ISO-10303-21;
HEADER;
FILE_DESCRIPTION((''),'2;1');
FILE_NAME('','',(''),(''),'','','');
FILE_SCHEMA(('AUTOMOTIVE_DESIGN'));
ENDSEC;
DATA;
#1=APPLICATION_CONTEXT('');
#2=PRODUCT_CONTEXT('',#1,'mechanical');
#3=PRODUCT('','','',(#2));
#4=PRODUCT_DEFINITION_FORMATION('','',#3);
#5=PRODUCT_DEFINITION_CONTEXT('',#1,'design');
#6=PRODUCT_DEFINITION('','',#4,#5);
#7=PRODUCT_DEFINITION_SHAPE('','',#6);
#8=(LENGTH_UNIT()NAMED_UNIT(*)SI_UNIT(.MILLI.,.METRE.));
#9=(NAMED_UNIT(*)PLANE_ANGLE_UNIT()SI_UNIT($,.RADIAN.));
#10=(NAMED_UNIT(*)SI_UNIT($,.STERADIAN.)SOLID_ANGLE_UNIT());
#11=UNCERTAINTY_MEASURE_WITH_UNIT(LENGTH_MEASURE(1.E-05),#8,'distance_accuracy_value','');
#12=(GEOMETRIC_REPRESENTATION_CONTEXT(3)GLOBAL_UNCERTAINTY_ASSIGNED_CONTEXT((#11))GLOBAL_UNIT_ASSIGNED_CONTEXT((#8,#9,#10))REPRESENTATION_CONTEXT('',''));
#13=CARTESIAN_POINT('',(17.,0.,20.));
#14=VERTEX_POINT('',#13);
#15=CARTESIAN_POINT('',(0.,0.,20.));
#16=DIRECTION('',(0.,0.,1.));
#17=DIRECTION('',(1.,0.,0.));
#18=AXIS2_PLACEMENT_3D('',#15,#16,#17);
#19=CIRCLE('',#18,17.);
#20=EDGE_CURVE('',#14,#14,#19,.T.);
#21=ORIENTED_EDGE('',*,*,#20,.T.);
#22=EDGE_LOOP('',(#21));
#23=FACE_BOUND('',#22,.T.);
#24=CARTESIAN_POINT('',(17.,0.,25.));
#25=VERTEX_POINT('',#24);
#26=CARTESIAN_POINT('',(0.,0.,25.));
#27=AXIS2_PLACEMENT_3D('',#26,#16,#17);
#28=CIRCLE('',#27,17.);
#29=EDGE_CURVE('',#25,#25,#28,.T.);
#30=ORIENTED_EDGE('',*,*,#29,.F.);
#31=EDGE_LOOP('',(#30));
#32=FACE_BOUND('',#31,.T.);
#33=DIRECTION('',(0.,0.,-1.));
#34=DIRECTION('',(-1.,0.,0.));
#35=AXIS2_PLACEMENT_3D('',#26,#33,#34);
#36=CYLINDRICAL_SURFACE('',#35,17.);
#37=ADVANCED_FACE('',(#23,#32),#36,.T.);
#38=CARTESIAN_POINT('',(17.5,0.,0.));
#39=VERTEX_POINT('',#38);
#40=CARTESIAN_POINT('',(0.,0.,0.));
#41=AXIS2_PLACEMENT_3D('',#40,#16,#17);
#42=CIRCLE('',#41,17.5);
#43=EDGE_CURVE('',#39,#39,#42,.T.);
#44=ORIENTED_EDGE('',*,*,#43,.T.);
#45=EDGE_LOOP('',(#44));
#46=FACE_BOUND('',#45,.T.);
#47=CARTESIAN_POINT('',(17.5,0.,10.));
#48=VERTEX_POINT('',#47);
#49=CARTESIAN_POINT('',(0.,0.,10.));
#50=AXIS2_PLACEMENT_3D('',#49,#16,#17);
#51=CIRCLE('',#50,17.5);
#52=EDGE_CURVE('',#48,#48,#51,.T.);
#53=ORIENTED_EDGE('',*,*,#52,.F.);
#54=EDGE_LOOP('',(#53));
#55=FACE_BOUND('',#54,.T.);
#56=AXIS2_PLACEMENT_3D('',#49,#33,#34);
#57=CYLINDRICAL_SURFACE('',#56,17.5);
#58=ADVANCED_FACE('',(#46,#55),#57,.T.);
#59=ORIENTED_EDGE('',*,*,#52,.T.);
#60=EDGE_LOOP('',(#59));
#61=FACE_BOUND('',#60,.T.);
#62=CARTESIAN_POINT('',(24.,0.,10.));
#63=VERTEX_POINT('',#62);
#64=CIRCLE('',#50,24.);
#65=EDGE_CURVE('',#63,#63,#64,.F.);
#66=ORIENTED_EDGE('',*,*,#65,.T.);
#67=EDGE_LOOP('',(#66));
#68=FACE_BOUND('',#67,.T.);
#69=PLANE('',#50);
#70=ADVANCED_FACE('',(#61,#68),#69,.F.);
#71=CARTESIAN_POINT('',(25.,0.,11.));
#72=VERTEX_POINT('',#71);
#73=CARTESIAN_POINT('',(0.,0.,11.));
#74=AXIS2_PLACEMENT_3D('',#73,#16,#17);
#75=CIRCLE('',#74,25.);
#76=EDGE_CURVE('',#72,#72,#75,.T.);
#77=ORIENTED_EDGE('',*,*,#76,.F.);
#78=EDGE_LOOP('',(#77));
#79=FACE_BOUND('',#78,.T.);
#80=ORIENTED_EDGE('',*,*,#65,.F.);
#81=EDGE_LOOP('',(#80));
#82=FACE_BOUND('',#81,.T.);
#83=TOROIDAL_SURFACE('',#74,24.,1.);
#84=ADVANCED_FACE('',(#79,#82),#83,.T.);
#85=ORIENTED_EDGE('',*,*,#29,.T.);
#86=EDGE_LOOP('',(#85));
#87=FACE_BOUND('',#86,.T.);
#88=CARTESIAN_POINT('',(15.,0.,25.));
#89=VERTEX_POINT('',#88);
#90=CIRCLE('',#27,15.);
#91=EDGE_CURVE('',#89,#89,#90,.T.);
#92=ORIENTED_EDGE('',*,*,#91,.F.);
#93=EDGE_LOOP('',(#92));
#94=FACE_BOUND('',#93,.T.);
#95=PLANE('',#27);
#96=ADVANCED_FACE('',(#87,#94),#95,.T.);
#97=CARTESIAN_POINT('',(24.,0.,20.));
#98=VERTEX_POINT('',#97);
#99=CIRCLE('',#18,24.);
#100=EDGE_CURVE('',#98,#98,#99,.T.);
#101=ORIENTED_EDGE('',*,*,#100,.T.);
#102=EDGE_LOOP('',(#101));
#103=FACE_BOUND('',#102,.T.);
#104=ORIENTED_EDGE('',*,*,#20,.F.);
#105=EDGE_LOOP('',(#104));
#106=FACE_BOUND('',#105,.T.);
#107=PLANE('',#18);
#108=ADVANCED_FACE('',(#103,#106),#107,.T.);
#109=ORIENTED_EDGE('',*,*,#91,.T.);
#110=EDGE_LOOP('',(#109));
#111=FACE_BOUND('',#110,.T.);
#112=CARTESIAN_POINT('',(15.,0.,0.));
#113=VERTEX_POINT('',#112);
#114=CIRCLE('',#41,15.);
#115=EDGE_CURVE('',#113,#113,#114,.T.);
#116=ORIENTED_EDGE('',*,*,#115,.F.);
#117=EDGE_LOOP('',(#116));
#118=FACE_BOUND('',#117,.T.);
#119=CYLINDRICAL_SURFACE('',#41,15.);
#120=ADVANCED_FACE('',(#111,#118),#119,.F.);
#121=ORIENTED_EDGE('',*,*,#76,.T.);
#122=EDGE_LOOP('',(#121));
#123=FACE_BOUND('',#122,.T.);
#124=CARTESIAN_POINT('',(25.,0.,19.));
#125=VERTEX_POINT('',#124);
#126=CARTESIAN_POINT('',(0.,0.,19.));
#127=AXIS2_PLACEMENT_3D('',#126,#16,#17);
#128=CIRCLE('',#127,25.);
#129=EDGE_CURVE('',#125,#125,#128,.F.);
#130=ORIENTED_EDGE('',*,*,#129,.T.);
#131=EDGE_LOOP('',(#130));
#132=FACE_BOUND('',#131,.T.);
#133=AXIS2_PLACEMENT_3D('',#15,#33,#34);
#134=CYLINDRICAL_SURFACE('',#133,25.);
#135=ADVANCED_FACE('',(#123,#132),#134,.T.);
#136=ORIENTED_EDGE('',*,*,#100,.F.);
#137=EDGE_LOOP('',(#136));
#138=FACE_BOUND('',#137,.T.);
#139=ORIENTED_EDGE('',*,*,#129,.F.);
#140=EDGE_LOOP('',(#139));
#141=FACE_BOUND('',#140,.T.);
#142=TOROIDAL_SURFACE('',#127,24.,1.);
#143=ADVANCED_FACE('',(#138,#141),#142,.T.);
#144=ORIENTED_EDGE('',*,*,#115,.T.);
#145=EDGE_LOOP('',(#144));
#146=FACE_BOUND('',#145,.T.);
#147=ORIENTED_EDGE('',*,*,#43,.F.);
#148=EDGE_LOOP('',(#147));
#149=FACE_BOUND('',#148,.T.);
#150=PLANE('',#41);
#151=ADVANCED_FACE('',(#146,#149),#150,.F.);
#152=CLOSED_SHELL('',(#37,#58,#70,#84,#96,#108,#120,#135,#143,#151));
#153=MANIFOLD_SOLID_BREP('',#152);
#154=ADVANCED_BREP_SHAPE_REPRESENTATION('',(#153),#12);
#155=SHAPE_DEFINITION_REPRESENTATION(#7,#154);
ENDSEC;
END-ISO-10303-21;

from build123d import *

# Parameters (mm, degrees)
SKETCH1_R               = 17.5
BOSS_EXTRUDE1_DEPTH     = 10
SKETCH2_R               = 25
BOSS_EXTRUDE2_DEPTH     = 10
SKETCH3_R               = 17
BOSS_EXTRUDE3_DEPTH     = 5
SKETCH4_R               = 15
CUT_EXTRUDE1_DEPTH      = 1
CUT_EXTRUDE1_DEPTH_BACK = 26
FILLET1_R               = 1


with BuildPart() as part:
    # Sketch1 → Boss-Extrude1 (new body)
    with BuildSketch(Plane.XY):
        Circle(SKETCH1_R)
    extrude(amount=BOSS_EXTRUDE1_DEPTH)

    # Sketch2 → Boss-Extrude2 (add)
    with BuildSketch(Plane.XY.offset(10)):
        Circle(SKETCH2_R)
    extrude(amount=BOSS_EXTRUDE2_DEPTH)

    # Sketch3 → Boss-Extrude3 (add)
    with BuildSketch(Plane.XY.offset(20)):
        Circle(SKETCH3_R)
    extrude(amount=BOSS_EXTRUDE3_DEPTH)

    # Sketch4 → Cut-Extrude1 (cut, two sides)
    with BuildSketch(Plane.XY.offset(25)) as cut_extrude1_sk:
        Circle(SKETCH4_R)
    extrude(amount=CUT_EXTRUDE1_DEPTH, mode=Mode.SUBTRACT)
    extrude(cut_extrude1_sk.sketch, amount=-CUT_EXTRUDE1_DEPTH_BACK, mode=Mode.SUBTRACT)

    # Fillet1
    fillet1_edges = [part.edges().sort_by_distance(p)[0] for p in [
        (-25, 0, 10),
        (-25, 0, 20),
    ]]
    fillet(fillet1_edges, radius=FILLET1_R)


solid = part.part
